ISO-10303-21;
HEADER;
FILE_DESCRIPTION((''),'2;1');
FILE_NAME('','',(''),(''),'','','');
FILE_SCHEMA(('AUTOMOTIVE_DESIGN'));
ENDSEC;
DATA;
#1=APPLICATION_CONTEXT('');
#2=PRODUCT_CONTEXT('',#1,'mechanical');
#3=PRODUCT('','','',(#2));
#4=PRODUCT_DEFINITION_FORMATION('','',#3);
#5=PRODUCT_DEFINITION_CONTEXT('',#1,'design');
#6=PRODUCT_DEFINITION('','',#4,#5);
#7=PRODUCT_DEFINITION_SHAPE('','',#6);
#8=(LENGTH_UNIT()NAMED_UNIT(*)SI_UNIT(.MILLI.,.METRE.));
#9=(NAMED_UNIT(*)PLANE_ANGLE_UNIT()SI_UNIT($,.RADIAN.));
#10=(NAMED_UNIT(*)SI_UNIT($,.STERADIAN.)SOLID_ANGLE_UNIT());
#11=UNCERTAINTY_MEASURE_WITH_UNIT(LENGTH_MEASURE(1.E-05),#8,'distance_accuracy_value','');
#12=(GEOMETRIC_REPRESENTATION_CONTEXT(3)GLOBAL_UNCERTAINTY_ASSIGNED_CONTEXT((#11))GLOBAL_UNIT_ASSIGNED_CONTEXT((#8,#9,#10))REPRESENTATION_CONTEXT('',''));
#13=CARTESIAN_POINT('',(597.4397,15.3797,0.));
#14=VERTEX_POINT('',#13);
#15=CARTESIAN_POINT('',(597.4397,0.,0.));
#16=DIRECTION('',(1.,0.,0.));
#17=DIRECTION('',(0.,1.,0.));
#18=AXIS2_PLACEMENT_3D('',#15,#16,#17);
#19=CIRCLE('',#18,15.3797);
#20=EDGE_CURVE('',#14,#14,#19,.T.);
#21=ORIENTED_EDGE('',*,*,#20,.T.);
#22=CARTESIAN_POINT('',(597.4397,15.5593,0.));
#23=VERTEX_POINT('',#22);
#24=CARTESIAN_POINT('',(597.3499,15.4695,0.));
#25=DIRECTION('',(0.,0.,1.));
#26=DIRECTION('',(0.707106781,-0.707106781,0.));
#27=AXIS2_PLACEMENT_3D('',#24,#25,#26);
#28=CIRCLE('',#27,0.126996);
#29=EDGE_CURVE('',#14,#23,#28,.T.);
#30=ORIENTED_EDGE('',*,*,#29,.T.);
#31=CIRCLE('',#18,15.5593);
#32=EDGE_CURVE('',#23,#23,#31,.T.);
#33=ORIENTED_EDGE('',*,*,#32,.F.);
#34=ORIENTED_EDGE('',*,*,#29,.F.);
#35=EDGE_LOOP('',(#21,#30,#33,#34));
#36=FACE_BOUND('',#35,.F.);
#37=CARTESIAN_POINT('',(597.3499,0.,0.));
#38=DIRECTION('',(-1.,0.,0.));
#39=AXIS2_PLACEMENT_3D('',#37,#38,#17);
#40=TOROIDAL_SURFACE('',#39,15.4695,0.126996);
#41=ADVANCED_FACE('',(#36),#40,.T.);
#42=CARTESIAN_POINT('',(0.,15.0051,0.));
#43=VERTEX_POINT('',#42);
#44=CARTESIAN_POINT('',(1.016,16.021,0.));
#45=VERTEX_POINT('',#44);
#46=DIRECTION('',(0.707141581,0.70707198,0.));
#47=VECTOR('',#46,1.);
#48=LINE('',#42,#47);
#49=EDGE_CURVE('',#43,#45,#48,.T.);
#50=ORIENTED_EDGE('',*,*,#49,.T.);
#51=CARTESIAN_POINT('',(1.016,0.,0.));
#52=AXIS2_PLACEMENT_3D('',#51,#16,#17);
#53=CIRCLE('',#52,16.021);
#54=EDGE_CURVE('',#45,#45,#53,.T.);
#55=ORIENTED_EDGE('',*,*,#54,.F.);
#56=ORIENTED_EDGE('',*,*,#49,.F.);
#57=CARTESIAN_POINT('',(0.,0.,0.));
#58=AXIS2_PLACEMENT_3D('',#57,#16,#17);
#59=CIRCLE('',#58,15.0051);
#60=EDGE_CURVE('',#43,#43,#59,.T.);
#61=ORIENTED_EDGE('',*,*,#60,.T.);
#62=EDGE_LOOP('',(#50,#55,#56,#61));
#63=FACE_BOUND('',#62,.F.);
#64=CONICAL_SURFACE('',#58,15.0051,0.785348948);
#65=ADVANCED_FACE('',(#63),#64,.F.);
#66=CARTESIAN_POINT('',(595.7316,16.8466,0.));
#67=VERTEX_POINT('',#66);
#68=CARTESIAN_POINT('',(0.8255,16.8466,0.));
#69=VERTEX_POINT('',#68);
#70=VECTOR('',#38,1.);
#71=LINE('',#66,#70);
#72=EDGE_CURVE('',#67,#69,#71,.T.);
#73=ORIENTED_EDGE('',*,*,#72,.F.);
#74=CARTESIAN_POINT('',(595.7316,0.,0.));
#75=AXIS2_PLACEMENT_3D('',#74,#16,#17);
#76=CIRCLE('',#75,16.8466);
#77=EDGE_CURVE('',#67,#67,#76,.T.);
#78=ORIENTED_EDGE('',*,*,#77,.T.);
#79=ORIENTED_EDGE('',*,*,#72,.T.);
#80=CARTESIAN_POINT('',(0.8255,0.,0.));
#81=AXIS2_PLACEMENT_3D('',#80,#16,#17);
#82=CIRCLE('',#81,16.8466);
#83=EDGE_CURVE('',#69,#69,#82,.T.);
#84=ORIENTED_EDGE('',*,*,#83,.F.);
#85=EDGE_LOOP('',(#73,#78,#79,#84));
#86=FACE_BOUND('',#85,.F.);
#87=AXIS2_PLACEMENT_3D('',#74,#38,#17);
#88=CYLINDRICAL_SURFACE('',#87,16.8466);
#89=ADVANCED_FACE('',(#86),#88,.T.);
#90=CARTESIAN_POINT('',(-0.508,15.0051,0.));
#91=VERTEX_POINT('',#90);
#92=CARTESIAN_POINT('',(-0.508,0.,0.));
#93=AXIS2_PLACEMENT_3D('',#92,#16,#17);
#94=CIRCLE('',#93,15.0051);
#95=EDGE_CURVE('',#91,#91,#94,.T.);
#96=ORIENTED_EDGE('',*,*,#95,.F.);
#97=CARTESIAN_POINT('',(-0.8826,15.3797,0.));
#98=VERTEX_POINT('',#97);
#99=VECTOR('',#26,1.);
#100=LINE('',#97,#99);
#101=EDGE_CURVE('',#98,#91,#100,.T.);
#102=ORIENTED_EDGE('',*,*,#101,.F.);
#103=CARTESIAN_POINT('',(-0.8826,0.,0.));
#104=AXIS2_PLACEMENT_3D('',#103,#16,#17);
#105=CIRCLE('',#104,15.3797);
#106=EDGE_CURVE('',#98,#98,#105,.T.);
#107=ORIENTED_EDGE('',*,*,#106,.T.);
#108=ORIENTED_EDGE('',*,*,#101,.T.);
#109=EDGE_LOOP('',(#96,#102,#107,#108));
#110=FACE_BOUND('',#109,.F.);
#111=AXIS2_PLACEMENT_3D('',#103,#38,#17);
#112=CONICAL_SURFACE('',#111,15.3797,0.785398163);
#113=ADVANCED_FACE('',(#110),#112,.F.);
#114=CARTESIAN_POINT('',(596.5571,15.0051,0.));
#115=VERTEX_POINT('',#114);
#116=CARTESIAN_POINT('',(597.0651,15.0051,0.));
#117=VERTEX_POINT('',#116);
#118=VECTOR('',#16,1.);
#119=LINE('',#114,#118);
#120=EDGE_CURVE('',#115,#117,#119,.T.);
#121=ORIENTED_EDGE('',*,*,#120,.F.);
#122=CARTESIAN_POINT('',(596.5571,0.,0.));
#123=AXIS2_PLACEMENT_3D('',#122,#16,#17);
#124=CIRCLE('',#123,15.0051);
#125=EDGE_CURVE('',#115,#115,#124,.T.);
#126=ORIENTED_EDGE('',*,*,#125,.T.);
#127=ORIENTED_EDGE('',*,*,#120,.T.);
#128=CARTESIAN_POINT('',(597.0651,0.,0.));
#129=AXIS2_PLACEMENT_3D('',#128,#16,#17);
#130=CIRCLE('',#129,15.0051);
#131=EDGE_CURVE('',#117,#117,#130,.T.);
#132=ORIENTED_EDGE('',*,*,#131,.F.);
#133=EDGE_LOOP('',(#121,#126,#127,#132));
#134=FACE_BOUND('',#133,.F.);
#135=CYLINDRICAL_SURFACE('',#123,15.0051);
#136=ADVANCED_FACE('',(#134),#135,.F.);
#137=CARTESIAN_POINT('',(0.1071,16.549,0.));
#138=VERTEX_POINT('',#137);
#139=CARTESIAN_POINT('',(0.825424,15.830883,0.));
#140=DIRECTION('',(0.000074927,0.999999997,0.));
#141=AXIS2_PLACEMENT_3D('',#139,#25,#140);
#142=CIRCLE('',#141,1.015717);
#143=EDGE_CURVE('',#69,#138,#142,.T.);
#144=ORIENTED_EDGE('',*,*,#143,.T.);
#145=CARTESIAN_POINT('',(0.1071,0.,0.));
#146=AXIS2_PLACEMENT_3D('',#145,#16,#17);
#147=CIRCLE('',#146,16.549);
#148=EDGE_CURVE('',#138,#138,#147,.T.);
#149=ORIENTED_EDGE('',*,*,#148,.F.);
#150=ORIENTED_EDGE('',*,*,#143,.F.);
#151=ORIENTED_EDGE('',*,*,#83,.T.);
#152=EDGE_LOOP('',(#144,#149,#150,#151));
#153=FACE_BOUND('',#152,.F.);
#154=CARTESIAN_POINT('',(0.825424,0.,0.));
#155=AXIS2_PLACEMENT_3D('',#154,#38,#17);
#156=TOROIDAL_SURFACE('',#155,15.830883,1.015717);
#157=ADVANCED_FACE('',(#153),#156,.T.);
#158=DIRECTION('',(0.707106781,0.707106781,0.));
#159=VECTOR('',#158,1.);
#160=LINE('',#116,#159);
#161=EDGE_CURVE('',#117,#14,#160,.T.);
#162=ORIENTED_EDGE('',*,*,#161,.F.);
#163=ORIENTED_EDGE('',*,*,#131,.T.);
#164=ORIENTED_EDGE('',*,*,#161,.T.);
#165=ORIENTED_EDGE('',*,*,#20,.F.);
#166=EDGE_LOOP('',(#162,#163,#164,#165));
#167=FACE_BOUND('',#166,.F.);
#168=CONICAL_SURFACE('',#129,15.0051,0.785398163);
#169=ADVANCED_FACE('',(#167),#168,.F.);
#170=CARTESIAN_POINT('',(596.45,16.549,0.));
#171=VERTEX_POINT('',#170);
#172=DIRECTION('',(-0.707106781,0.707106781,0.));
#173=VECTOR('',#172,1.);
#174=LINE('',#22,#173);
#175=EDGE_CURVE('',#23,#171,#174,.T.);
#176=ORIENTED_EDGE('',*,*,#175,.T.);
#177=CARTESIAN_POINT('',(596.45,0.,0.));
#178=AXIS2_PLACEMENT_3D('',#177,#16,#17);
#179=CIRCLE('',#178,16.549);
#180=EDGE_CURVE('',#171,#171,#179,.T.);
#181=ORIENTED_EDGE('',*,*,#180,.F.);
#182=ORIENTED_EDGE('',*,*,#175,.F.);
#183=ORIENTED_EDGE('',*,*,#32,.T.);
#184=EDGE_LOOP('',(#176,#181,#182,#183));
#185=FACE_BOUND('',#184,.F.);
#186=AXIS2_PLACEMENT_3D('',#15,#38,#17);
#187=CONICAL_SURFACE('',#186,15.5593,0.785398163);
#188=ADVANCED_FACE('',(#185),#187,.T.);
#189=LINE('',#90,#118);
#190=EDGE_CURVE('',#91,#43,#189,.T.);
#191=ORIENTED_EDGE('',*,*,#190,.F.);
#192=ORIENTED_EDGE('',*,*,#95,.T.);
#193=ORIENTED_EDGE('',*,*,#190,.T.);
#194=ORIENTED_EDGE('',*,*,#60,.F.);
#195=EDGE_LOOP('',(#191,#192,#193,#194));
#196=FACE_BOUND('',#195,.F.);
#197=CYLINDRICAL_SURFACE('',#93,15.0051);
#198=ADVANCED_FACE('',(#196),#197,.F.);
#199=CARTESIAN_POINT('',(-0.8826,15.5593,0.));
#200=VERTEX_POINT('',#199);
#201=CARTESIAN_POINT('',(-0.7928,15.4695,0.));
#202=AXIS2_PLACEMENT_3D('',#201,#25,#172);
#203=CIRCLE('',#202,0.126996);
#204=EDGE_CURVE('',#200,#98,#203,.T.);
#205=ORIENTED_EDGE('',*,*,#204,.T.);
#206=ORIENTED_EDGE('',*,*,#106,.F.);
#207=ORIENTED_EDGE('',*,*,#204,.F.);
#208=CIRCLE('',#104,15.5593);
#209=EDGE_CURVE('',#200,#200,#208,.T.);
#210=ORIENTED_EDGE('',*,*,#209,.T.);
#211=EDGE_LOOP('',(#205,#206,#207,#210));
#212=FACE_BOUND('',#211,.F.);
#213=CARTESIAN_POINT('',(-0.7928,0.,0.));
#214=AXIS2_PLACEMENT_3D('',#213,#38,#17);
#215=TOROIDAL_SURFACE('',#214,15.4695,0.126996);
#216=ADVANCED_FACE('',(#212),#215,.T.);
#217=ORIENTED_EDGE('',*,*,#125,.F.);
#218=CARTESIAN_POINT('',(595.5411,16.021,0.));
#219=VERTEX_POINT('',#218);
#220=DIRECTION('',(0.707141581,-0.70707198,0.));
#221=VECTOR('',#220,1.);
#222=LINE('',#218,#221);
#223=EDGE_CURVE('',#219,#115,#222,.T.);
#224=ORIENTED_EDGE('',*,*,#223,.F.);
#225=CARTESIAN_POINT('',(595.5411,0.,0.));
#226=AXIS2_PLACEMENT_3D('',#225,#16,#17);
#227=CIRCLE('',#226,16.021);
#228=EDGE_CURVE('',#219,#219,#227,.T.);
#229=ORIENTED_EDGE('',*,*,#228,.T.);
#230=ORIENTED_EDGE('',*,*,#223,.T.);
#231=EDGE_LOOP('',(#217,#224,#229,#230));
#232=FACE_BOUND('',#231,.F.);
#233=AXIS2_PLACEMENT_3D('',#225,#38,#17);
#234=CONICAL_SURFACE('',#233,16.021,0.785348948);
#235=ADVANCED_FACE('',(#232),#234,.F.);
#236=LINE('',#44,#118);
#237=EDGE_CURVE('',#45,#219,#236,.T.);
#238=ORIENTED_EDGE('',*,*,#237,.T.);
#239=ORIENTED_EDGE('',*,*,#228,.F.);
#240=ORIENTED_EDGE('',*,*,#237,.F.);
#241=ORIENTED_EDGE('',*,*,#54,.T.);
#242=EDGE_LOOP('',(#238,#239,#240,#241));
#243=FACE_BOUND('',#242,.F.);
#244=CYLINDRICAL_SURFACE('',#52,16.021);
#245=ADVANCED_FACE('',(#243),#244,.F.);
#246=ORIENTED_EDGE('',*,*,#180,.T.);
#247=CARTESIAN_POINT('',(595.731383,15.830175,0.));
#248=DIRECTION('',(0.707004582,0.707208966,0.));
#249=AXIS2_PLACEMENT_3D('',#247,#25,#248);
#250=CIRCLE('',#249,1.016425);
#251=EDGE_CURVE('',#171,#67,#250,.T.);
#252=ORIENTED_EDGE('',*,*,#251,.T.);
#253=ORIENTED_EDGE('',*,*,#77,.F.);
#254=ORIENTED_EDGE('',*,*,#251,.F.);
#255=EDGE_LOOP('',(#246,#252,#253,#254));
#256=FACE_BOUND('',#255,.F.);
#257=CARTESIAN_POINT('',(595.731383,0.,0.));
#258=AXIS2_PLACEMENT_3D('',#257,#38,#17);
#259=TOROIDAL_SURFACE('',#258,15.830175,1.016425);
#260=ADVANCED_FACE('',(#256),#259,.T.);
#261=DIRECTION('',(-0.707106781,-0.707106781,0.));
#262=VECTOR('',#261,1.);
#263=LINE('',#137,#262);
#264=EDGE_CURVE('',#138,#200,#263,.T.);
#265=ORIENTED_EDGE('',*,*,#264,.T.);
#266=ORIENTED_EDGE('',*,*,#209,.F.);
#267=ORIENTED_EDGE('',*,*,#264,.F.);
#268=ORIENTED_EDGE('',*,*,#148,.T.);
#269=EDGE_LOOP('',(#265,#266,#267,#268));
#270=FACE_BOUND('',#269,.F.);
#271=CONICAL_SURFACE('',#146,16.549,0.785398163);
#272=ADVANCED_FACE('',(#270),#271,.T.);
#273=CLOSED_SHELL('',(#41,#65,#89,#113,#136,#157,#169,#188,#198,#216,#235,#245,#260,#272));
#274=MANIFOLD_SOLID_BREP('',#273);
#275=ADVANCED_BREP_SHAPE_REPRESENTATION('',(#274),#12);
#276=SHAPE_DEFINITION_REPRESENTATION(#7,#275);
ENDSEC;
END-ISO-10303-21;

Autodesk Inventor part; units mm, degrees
sketch "Sketch_1" plane through (0, 0, 0) normal (0, 0, 1) x (1, 0, 0)
  line L0 (596.5571, 0) -> (0, 0)
  arc A0 (-0.8826, 15.5593) -> (-0.8826, 15.3797) centre (-0.7928, 15.4695) ccw
  line L1 (-0.8826, 15.3797) -> (-0.508, 15.0051)
  line L2 (-0.508, 15.0051) -> (0, 15.0051)
  line L3 (0, 15.0051) -> (1.016, 16.021)
  line L4 (1.016, 16.021) -> (595.5411, 16.021)
  line L5 (595.5411, 16.021) -> (596.5571, 15.0051)
  line L6 (596.5571, 15.0051) -> (597.0651, 15.0051)
  line L7 (597.0651, 15.0051) -> (597.4397, 15.3797)
  arc A1 (597.4397, 15.3797) -> (597.4397, 15.5593) centre (597.3499, 15.4695) ccw
  line L8 (597.4397, 15.5593) -> (596.45, 16.549)
  arc A2 (596.45, 16.549) -> (595.7316, 16.8466) centre (595.7316, 15.8305) ccw
  line L9 (595.7316, 16.8466) -> (0.8255, 16.8466)
  arc A3 (0.8255, 16.8466) -> (0.1071, 16.549) centre (0.8255, 15.8305) ccw
  line L10 (0.1071, 16.549) -> (-0.8826, 15.5593)
revolve "Revolution1" add sketch "Sketch_1" angle 360 about axis through (596.5571, 0, 0) along (1, 0, 0)
ref_plane "cp1_XY" through (298.2785, 16.8466, 0) normal (1, 0, 0) x (0, 0, -1)
ref_plane "cp1_YZ" through (298.2785, 16.8466, 0) normal (0, 0, -1) x (0, 1, 0)
ref_plane "cp1_ZX" through (298.2785, 16.8466, 0) normal (0, 1, 0) x (1, 0, 0)
ref_plane "cp2_XY" through (298.2785, 0, -16.8466) normal (1, 0, 0) x (0, 0, -1)
ref_plane "cp2_YZ" through (298.2785, 0, -16.8466) normal (0, 0, -1) x (0, 1, 0)
ref_plane "cp2_ZX" through (298.2785, 0, -16.8466) normal (0, 1, 0) x (1, 0, 0)
ref_plane "cp3_XY" through (298.2785, -16.8466, 0) normal (1, 0, 0) x (0, 0, -1)
ref_plane "cp3_YZ" through (298.2785, -16.8466, 0) normal (0, 0, -1) x (0, 1, 0)
ref_plane "cp3_ZX" through (298.2785, -16.8466, 0) normal (0, 1, 0) x (1, 0, 0)
ref_plane "cp4_XY" through (298.2785, 0, 16.8466) normal (1, 0, 0) x (0, 0, -1)
ref_plane "cp4_YZ" through (298.2785, 0, 16.8466) normal (0, 0, -1) x (0, 1, 0)
ref_plane "cp4_ZX" through (298.2785, 0, 16.8466) normal (0, 1, 0) x (1, 0, 0)
ref_plane "tube_front_XY" through (0, 0, 0) normal (1, 0, 0) x (0, 0, -1)
ref_plane "tube_front_YZ" through (0, 0, 0) normal (0, 0, -1) x (0, 1, 0)
ref_plane "tube_front_ZX" through (0, 0, 0) normal (0, 1, 0) x (1, 0, 0)
ref_plane "tube_rear_XY" through (596.5571, 0, 0) normal (1, 0, 0) x (0, 0, -1)
ref_plane "tube_rear_YZ" through (596.5571, 0, 0) normal (0, 0, -1) x (0, 1, 0)
ref_plane "tube_rear_ZX" through (596.5571, 0, 0) normal (0, 1, 0) x (1, 0, 0)
properties part number "12R-23.48650SR"
